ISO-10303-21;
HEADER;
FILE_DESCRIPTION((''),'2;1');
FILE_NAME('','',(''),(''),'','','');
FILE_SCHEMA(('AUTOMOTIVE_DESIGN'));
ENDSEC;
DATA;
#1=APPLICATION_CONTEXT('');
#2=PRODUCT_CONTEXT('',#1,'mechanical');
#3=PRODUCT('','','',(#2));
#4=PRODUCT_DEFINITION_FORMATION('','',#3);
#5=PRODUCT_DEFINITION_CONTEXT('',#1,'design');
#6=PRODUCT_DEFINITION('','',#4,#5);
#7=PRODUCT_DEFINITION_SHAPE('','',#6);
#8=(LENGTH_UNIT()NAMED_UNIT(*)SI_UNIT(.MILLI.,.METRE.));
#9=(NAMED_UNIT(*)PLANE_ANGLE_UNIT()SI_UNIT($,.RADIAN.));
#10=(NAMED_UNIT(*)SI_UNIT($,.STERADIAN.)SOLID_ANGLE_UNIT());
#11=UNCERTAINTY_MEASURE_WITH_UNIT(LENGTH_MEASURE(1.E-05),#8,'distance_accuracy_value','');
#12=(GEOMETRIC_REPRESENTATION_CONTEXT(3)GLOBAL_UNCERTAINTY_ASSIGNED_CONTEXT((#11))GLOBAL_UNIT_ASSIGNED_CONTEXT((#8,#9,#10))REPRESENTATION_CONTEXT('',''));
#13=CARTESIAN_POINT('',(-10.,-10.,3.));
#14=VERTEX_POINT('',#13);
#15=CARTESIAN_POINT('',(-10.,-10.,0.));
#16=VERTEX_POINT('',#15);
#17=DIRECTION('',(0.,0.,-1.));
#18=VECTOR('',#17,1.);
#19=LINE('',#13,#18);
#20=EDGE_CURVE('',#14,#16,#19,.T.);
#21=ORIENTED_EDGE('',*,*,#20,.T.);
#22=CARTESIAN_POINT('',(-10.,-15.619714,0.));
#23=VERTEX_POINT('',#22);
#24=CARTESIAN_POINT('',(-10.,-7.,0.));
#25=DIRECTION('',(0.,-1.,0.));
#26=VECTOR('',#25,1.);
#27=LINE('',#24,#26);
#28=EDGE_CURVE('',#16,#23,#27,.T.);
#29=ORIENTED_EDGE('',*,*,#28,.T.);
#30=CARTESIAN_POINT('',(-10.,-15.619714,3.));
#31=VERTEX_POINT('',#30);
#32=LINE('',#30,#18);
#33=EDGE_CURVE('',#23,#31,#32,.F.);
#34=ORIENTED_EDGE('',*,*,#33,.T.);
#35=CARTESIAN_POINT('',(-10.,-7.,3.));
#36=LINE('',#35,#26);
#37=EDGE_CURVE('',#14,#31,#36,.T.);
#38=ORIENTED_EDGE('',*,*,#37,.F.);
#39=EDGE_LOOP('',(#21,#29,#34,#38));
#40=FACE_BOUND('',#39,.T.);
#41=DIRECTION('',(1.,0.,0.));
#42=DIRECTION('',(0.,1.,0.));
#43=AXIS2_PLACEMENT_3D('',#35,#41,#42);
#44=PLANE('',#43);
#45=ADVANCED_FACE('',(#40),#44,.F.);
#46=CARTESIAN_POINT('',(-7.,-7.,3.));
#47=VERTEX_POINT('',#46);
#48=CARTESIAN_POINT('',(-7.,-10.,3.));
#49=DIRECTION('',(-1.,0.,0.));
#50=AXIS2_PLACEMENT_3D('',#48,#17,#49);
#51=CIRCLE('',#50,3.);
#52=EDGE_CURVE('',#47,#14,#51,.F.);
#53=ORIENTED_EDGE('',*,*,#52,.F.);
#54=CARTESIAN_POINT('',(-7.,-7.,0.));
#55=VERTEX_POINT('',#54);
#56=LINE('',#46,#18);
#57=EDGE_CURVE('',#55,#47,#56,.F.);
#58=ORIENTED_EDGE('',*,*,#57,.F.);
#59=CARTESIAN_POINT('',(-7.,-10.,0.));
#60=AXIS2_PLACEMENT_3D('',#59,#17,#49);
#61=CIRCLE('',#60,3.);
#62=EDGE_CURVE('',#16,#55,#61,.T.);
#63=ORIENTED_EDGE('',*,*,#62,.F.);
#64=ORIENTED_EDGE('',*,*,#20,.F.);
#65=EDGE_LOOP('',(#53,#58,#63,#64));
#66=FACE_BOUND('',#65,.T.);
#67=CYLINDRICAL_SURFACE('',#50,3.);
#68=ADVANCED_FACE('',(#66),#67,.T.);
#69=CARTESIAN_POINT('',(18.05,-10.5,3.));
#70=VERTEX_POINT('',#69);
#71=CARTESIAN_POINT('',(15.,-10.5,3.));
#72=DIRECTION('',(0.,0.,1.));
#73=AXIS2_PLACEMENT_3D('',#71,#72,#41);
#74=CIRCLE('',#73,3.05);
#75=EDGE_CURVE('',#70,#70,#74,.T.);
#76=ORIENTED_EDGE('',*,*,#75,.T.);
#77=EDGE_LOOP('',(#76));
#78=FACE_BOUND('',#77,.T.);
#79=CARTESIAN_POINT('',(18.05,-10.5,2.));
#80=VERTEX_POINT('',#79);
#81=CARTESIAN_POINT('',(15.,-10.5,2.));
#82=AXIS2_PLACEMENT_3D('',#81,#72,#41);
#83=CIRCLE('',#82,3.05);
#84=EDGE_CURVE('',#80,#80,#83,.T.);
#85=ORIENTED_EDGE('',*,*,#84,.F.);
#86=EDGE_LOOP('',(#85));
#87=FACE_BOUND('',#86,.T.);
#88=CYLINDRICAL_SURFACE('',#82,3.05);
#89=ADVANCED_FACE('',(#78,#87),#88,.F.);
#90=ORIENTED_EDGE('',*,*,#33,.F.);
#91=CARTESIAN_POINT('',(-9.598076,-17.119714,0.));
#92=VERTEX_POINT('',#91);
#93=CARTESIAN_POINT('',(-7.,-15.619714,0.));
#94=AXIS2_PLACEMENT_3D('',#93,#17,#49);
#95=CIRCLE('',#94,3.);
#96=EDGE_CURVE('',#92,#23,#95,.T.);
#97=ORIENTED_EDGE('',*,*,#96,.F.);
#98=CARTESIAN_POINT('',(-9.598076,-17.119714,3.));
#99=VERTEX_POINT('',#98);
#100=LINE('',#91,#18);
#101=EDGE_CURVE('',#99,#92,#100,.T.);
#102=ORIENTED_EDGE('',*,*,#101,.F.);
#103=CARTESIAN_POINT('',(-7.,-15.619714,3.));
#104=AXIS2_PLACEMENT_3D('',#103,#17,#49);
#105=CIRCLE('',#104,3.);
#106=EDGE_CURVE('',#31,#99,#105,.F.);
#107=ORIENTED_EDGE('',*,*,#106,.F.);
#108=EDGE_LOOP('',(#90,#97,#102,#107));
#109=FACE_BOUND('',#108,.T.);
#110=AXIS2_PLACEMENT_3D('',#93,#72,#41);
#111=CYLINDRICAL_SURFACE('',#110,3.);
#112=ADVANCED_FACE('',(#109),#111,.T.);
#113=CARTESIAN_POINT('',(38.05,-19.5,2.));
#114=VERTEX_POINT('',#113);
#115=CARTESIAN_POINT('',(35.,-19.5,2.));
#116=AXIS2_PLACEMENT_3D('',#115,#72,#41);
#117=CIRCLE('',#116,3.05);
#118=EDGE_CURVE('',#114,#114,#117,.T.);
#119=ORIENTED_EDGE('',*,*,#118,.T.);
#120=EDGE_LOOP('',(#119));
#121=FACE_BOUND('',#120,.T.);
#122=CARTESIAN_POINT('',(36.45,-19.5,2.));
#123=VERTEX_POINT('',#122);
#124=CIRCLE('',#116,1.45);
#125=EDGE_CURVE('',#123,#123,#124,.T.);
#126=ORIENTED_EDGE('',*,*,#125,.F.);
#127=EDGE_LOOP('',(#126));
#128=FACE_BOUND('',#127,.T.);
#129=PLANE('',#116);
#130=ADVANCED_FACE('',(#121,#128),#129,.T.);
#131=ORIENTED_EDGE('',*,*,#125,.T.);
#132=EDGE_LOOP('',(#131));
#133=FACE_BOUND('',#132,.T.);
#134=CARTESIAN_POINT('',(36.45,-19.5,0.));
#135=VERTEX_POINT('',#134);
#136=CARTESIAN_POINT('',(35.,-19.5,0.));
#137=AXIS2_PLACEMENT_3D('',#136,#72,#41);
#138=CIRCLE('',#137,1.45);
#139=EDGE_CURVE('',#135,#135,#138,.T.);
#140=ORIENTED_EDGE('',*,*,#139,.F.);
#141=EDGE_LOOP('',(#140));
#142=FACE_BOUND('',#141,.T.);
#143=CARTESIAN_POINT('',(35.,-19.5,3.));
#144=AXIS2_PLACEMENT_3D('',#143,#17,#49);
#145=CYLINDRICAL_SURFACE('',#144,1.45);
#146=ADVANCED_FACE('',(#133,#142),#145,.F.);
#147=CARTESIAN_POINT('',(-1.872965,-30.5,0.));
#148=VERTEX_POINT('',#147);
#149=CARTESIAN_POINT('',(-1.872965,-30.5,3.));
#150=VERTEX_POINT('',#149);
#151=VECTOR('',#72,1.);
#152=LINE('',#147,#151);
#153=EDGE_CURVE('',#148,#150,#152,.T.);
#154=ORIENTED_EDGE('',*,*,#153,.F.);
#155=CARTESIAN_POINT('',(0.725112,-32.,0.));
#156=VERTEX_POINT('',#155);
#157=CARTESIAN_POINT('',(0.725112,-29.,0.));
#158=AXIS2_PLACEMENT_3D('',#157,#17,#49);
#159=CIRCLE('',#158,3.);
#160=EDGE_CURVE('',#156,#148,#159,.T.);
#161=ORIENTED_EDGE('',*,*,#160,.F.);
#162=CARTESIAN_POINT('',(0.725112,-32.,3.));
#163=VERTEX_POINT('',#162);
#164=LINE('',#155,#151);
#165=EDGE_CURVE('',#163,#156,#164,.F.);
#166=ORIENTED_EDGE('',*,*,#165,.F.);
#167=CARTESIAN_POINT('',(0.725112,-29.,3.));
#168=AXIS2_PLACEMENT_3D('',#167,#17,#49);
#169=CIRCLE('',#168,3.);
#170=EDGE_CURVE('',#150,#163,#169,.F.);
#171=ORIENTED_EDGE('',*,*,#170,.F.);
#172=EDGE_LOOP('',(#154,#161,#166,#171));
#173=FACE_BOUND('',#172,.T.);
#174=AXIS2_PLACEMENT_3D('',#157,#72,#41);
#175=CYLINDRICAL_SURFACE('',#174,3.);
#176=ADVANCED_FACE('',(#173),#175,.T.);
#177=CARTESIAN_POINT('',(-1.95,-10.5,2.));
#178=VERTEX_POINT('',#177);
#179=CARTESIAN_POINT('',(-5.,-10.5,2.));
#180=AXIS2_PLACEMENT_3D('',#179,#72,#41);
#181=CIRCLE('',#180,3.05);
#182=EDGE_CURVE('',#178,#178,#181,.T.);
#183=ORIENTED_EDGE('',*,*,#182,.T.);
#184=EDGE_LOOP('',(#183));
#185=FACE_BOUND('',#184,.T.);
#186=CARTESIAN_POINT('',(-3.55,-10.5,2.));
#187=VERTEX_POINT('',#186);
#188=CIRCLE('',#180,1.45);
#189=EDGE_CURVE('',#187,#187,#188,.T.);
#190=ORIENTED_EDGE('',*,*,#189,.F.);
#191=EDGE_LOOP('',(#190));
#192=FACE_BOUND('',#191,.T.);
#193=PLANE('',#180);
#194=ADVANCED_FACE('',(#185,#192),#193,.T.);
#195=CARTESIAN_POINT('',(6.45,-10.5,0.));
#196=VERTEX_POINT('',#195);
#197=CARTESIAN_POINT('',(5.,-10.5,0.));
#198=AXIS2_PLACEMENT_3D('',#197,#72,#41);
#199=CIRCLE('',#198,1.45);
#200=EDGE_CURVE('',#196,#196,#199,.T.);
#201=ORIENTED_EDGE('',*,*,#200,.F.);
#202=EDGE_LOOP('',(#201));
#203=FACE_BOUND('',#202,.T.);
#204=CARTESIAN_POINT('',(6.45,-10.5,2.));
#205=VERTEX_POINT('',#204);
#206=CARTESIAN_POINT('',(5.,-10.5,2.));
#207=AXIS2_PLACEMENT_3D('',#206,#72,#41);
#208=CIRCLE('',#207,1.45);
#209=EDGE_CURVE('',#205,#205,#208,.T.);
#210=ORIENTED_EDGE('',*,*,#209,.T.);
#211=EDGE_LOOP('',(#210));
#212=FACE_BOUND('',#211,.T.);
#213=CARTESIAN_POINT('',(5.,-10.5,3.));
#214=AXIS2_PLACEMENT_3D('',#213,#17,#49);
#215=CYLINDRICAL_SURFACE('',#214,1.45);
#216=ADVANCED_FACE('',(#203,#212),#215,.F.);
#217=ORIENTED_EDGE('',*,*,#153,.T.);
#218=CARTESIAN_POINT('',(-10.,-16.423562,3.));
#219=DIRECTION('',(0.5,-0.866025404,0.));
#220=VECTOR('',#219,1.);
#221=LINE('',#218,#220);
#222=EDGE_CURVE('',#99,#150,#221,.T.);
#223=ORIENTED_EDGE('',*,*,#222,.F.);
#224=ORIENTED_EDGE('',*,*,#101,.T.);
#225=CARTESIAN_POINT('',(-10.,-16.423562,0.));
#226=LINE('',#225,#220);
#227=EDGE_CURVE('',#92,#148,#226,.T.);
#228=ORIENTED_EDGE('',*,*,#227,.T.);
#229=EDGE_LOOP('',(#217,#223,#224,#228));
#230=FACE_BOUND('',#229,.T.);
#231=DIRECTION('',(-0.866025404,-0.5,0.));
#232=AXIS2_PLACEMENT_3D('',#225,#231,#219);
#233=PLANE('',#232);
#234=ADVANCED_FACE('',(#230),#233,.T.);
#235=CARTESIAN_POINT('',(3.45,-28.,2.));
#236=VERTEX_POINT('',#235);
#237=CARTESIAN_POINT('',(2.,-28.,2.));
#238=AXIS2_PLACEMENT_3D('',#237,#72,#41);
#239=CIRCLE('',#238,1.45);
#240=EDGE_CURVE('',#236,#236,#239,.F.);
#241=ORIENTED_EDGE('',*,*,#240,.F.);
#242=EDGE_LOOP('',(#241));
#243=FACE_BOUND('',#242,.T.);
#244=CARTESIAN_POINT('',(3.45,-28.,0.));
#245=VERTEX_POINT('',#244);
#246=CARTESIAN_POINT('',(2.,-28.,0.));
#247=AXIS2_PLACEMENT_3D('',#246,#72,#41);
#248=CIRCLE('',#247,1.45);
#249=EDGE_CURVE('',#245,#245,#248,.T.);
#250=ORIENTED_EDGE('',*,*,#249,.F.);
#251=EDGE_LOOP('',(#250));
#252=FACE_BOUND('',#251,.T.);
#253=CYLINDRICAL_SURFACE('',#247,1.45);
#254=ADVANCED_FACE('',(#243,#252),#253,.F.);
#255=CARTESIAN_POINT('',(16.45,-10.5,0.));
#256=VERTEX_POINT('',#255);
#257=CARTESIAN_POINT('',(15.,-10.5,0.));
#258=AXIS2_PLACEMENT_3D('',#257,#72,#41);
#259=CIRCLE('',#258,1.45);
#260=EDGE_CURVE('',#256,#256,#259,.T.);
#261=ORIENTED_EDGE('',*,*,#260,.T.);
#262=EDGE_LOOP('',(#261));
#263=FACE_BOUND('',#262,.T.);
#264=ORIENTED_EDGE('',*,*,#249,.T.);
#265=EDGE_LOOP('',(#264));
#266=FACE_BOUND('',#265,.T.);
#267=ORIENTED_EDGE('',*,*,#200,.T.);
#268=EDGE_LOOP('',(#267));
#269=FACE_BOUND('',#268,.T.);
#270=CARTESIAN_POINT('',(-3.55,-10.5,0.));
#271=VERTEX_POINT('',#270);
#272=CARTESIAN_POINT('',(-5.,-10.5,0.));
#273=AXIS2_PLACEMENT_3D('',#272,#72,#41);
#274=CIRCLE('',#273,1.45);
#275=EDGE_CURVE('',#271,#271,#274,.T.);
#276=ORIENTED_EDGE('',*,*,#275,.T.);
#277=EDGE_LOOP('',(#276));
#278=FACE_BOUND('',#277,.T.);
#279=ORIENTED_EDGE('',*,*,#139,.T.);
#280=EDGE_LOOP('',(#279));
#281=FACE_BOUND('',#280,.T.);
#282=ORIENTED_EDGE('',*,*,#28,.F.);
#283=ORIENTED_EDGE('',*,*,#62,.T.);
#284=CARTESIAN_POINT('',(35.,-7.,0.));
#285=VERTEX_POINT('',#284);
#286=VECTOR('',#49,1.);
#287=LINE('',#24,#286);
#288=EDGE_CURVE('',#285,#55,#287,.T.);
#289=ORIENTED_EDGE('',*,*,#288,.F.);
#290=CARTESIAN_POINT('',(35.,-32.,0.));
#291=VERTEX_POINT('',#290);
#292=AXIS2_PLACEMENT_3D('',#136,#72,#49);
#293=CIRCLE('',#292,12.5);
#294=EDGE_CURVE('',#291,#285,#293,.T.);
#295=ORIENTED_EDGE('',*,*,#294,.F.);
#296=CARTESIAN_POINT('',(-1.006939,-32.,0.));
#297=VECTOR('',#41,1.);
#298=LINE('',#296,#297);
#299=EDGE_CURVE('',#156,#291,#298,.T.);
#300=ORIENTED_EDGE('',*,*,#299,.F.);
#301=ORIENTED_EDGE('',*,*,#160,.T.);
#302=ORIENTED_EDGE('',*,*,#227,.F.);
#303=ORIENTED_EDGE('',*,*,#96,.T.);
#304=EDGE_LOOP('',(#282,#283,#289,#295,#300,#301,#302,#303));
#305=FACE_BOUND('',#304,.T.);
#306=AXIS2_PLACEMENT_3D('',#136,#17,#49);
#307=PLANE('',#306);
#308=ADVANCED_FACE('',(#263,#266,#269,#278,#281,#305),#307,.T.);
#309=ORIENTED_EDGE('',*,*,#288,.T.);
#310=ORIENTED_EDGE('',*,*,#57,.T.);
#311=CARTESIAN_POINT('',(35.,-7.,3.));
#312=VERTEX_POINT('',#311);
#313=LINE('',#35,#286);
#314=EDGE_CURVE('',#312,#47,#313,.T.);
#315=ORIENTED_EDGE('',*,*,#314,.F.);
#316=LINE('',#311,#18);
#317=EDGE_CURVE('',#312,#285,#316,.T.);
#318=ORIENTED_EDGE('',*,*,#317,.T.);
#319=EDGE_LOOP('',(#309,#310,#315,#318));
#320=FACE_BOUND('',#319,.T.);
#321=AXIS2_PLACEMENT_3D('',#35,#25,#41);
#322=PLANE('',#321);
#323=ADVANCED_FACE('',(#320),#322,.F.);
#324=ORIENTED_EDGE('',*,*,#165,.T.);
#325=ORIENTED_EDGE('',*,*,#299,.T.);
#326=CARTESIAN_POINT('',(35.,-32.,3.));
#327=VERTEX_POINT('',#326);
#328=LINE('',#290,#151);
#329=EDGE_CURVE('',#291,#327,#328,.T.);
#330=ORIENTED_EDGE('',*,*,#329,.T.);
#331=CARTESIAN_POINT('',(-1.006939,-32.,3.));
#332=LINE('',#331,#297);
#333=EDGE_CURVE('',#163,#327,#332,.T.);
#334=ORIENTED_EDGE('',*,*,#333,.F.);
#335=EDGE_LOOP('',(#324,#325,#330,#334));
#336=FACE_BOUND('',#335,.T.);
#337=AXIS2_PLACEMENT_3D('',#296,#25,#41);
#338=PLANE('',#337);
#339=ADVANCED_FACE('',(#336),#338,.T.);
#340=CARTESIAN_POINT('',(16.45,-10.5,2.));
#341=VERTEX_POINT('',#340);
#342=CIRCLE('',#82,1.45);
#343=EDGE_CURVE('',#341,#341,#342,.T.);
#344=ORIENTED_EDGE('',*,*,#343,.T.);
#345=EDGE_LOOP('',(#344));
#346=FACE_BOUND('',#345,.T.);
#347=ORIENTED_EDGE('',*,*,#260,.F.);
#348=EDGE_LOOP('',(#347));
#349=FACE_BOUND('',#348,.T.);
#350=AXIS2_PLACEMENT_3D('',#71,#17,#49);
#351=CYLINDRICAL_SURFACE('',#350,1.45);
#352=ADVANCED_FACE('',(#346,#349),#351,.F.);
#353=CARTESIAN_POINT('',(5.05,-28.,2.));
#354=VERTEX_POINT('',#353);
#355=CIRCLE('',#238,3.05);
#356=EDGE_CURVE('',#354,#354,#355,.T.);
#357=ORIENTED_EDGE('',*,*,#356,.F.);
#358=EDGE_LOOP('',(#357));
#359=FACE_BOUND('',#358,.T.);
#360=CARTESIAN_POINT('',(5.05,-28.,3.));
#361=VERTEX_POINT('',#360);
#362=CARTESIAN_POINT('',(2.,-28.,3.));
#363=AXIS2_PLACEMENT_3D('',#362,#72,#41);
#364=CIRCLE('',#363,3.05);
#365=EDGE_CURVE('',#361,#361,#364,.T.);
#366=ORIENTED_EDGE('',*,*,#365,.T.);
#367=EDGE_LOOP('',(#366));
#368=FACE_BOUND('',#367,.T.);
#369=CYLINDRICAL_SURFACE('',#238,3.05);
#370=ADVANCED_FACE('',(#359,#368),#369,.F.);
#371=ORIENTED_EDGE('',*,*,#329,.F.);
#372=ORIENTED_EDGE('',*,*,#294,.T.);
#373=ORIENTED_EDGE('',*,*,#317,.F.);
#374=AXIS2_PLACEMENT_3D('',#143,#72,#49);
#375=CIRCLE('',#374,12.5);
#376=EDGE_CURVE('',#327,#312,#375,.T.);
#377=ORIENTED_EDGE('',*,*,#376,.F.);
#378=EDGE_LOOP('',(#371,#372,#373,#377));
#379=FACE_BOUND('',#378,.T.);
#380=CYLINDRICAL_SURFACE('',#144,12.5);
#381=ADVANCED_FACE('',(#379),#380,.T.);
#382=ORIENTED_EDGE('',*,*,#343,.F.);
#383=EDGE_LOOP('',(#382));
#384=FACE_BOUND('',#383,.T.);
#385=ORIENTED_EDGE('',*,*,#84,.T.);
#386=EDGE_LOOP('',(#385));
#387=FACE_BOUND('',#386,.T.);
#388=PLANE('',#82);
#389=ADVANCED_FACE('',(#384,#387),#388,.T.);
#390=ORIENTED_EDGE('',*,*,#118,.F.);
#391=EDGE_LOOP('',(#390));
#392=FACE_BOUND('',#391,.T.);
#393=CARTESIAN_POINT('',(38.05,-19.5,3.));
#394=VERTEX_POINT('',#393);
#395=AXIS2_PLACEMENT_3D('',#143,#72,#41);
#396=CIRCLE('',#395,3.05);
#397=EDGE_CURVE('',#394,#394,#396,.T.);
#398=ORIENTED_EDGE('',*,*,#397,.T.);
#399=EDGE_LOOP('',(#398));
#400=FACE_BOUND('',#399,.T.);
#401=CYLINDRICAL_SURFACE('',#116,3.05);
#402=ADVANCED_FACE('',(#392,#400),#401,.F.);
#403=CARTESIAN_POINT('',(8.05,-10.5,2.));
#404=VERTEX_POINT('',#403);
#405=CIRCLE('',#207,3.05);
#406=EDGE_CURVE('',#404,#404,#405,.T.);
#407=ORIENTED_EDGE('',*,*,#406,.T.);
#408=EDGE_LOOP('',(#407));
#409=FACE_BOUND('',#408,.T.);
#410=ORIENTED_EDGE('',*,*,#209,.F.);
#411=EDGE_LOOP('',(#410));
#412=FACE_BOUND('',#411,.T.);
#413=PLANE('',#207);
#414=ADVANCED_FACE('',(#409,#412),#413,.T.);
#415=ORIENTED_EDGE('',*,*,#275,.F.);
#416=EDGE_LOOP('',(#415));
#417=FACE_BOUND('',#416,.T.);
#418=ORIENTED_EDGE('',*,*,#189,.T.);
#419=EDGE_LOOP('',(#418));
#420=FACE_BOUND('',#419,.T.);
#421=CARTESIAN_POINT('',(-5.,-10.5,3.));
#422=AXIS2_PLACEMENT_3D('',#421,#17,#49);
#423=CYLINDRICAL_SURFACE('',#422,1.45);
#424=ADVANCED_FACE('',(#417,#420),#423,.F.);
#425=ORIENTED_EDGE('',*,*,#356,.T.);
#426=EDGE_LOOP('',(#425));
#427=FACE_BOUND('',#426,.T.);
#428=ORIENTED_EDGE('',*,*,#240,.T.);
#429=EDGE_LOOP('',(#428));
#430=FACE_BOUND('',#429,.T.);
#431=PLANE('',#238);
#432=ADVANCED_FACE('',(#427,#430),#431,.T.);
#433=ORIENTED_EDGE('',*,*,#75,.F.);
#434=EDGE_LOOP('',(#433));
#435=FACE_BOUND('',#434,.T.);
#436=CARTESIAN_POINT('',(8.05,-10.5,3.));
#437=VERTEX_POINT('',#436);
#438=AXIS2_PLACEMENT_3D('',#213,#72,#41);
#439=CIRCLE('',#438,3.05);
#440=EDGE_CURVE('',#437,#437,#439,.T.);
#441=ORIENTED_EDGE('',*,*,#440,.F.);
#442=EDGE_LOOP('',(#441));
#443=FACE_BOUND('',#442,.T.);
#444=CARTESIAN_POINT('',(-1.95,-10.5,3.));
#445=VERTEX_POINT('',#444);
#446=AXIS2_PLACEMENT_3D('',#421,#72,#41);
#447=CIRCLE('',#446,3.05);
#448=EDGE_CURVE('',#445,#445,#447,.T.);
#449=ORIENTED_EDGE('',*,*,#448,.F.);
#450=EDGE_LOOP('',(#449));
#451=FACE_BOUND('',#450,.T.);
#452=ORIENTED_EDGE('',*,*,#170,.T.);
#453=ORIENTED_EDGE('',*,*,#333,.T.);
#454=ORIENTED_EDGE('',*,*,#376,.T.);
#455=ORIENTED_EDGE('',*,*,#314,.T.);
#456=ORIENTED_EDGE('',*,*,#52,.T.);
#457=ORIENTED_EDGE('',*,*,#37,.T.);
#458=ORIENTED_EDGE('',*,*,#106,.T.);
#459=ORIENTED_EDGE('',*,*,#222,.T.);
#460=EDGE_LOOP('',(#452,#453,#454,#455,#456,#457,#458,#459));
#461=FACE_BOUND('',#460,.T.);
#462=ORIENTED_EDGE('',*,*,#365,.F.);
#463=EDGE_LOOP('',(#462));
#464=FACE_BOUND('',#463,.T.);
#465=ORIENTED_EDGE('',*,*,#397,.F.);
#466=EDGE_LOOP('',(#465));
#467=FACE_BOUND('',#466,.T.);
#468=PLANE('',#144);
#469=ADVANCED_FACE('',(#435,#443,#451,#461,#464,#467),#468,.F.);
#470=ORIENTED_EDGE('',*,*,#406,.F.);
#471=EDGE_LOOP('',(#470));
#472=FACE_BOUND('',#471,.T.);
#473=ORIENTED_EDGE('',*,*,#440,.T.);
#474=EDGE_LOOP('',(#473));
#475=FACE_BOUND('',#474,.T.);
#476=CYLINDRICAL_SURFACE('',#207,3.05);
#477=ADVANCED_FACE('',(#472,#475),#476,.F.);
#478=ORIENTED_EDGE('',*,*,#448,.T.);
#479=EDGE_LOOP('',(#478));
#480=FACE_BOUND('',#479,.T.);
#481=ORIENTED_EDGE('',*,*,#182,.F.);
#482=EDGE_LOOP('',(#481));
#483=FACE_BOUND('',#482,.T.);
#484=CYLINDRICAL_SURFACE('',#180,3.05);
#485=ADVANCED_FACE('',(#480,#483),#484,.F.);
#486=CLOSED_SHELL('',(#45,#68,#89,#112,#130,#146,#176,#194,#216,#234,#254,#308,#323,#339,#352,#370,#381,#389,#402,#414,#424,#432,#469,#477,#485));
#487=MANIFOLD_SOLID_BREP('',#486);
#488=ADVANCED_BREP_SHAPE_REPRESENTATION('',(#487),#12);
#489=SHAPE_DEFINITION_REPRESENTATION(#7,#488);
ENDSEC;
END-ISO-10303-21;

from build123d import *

# Parameters (mm, degrees)
SKETCH_2_R          = 1.45
EXTRUDE_1_DEPTH     = 3
SKETCH_3_R          = 1.45
EXTRUDE_2_DEPTH     = 3
SKETCH_5_R          = 3.05
CUT_EXTRUDE_1_DEPTH = 1
EXTRUDE_3_DEPTH     = 3
SKETCH_7_R          = 3.05
CUT_EXTRUDE_4_DEPTH = 1
FILLET_1_R          = 3
SKETCH_10_R         = 3.05
CUT_EXTRUDE_6_DEPTH = 1


with BuildPart() as part:
    # 草图2 → 凸台-拉伸1 (new body)
    with BuildSketch(Plane.XY):
        with BuildLine():
            Line((-10, -7), (-10, -16.423561614))
            Line((-10, -16.423561614), (30.724748208, -31.24615776))
            ThreePointArc((30.724748208, -31.24615776), (47.310096913, -21.670602221), (35, -7))
            Line((35, -7), (-10, -7))
        make_face()
        with Locations((35, -19.5)):
            Circle(SKETCH_2_R, mode=Mode.SUBTRACT)
        with Locations((15, -10.5)):
            Circle(SKETCH_2_R, mode=Mode.SUBTRACT)
        with Locations((5, -10.5)):
            Circle(SKETCH_2_R, mode=Mode.SUBTRACT)
        with Locations((-5, -10.5)):
            Circle(SKETCH_2_R, mode=Mode.SUBTRACT)
    extrude(amount=EXTRUDE_1_DEPTH)

    # 草图3 → 凸台-拉伸2 (add)
    with BuildSketch(Plane.XY.offset(3)):
        Polygon((-10, -16.423561614), (32.795912741, -32), (-1.006939105, -32), align=None)
        with Locations((2, -28)):
            Circle(SKETCH_3_R, mode=Mode.SUBTRACT)
    extrude(amount=-EXTRUDE_2_DEPTH)

    # 草图5 → 切除-拉伸1 (cut)
    with BuildSketch(Plane.XY.offset(3)):
        with Locations((-5, -10.5)):
            Circle(SKETCH_5_R)
        with Locations((5, -10.5)):
            Circle(SKETCH_5_R)
        with Locations((15, -10.5)):
            Circle(SKETCH_5_R)
    extrude(amount=-CUT_EXTRUDE_1_DEPTH, mode=Mode.SUBTRACT)

    # 草图8 → 凸台-拉伸3 (add)
    with BuildSketch(Plane.XY.offset(3)):
        Polygon((32.795912741, -32), (35, -32), (30.724748208, -31.24615776), align=None)
    extrude(amount=-EXTRUDE_3_DEPTH)

    # 草图7 → 切除-拉伸4 (cut)
    with BuildSketch(Plane.XY.offset(3)):
        with Locations((2, -28)):
            Circle(SKETCH_7_R)
    extrude(amount=-CUT_EXTRUDE_4_DEPTH, mode=Mode.SUBTRACT)

    # 圆角1
    fillet_1_edges = [part.edges().sort_by_distance(p)[0] for p in [
        (-1.006939105, -32, 1.5),
        (-10, -16.423561614, 1.5),
        (-10, -7, 1.5),
    ]]
    fillet(fillet_1_edges, radius=FILLET_1_R)

    # 草图10 → 切除-拉伸6 (cut)
    with BuildSketch(Plane.XY.offset(3)):
        with Locations((35, -19.5)):
            Circle(SKETCH_10_R)
    extrude(amount=-CUT_EXTRUDE_6_DEPTH, mode=Mode.SUBTRACT)


solid = part.part
